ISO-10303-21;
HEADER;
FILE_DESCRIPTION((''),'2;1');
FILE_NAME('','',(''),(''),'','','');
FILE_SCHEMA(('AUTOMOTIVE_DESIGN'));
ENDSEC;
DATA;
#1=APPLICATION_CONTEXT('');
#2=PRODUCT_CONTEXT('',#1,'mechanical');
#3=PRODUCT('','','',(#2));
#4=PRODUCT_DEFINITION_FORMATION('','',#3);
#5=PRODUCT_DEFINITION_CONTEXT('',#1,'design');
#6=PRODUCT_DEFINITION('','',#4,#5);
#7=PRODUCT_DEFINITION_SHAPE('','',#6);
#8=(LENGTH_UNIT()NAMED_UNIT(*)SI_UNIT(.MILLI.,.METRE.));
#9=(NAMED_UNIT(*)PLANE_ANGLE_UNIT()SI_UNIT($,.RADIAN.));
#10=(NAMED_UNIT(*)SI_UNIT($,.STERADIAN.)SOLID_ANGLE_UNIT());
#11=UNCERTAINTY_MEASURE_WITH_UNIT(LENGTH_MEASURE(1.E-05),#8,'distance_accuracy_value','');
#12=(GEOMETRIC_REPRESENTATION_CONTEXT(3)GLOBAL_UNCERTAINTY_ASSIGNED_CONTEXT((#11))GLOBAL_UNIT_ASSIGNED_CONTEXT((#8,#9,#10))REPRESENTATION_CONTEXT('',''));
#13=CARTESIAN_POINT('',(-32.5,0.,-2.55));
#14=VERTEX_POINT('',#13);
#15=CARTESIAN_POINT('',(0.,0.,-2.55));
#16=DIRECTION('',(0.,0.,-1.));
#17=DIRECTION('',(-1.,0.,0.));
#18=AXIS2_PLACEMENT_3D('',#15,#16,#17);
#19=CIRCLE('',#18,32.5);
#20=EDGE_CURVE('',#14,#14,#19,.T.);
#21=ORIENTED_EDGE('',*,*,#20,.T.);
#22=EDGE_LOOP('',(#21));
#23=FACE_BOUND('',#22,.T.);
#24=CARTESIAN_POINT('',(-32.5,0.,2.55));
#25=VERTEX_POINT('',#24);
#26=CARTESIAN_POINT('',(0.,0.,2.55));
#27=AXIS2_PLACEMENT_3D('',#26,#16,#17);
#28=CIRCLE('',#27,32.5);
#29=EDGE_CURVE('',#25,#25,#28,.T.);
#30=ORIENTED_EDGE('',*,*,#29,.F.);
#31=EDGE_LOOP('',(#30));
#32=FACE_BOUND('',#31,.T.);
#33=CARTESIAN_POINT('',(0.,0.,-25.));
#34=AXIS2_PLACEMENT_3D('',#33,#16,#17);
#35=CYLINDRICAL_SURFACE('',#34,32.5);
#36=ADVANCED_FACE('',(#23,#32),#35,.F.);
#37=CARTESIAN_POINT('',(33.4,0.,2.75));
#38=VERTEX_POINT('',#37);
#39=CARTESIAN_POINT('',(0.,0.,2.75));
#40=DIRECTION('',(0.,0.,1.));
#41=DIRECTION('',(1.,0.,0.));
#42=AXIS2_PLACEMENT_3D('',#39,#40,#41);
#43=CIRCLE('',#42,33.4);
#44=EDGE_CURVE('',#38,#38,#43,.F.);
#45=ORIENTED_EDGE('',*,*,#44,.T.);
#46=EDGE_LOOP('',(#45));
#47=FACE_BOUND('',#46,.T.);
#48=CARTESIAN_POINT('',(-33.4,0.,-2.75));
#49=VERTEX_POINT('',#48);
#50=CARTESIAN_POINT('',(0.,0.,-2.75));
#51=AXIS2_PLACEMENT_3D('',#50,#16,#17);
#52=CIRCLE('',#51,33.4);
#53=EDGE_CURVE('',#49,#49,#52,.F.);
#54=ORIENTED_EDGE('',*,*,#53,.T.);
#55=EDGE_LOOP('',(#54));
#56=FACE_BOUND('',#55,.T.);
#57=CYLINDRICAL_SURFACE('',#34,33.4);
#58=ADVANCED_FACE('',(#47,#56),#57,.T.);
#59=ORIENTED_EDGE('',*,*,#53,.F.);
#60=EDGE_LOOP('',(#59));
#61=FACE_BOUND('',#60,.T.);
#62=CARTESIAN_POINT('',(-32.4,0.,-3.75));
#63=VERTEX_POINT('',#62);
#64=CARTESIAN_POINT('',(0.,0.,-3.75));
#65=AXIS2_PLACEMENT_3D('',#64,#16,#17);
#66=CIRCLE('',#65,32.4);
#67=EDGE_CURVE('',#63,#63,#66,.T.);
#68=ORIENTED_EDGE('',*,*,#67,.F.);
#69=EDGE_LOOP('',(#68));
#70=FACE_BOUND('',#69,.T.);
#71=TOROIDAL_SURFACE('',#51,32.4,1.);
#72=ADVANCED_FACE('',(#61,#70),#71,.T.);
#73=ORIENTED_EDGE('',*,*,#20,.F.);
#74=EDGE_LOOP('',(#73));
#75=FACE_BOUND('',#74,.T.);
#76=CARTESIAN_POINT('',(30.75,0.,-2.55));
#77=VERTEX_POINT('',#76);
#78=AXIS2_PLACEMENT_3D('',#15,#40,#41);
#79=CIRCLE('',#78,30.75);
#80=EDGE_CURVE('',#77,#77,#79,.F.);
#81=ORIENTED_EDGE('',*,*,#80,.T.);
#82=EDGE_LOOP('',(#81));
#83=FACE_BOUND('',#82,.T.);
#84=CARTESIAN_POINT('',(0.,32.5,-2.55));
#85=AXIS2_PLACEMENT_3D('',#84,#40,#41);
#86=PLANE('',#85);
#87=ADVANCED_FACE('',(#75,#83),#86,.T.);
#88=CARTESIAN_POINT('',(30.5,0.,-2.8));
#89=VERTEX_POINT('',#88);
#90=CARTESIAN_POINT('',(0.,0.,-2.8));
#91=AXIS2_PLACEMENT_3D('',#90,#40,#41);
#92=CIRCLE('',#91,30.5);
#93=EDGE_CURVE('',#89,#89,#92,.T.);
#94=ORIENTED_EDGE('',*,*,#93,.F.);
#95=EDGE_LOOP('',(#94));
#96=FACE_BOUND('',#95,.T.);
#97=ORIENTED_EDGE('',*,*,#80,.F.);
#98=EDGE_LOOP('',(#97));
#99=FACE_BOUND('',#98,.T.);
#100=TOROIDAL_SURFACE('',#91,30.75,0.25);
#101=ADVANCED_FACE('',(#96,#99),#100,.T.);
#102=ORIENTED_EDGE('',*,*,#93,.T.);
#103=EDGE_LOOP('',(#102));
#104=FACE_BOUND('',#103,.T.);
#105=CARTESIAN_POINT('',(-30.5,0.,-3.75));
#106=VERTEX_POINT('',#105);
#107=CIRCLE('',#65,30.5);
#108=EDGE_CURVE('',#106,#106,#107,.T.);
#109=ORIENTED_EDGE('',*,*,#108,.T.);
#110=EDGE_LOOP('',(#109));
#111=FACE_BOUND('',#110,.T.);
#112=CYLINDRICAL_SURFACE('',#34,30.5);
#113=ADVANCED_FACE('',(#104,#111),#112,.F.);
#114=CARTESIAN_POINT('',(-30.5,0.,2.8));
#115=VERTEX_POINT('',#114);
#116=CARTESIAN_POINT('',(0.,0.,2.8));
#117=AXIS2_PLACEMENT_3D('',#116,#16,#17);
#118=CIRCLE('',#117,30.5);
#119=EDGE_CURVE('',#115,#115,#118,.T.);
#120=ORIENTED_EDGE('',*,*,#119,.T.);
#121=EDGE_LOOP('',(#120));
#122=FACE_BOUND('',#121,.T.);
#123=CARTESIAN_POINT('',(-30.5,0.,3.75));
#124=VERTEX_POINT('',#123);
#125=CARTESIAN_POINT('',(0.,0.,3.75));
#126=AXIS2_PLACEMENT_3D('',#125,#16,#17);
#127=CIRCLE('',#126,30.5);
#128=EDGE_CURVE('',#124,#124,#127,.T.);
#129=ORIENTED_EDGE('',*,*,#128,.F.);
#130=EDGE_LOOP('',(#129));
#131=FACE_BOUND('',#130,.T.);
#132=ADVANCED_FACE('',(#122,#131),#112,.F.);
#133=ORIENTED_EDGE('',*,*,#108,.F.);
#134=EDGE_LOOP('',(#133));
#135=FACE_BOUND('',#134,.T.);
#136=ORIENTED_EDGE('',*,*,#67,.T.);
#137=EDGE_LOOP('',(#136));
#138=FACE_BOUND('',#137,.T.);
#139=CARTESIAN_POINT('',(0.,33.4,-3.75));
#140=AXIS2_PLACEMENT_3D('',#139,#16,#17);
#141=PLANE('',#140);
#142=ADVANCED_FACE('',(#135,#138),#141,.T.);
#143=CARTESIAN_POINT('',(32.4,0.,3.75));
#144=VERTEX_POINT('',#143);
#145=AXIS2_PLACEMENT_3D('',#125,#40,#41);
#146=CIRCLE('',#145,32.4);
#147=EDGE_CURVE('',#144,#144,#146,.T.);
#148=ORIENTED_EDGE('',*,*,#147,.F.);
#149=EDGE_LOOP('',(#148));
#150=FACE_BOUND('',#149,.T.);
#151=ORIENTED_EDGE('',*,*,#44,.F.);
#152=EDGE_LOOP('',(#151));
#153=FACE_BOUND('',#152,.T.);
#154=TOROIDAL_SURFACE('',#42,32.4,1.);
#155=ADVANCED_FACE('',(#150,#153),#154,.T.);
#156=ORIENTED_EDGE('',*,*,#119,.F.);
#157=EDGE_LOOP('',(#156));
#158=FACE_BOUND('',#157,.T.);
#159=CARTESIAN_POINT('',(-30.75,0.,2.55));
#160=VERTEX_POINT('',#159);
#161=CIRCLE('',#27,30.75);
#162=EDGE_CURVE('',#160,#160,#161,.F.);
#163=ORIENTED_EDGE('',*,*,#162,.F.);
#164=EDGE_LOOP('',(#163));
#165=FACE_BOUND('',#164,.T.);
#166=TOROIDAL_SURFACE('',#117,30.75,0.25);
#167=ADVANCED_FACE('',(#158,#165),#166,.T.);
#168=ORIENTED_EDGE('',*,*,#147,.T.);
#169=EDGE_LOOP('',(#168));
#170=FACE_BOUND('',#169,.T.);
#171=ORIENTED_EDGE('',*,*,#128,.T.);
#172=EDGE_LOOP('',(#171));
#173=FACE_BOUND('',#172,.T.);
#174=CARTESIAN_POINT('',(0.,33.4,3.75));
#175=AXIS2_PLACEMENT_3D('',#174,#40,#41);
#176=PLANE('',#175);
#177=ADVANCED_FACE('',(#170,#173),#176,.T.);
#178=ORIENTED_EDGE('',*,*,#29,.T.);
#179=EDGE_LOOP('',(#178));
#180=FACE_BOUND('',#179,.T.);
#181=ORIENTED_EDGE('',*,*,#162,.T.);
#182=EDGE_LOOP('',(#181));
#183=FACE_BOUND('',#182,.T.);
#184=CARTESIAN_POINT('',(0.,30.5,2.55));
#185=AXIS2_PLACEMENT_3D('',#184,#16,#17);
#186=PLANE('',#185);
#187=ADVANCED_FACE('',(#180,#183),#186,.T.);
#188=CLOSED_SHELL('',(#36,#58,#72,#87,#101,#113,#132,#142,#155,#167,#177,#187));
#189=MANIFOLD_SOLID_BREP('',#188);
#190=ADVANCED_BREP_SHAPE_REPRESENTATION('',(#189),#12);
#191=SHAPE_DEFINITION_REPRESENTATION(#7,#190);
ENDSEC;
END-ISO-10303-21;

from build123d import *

# Parameters (mm, degrees)
FILLET2_R = 0.25
FILLET3_R = 1


with BuildPart() as part:
    # Sketch1 → Revolve1 (revolve)
    with BuildSketch(Plane(origin=(0, 0, 0), x_dir=(0, 0, -1), z_dir=(1, 0, 0)), mode=Mode.PRIVATE) as revolve1_sk:
        Polygon((-3.75, 33.4), (3.75, 33.4), (3.75, 30.5), (2.55, 30.5), (2.55, 32.5), (-2.55, 32.5), (-2.55, 30.5), (-3.75, 30.5), align=None)
    revolve(revolve1_sk.sketch.rotate(Axis((0, 0, -25), (0, 0, 1)), 90), axis=Axis((0, 0, -25), (0, 0, 1)))  # turned: the seam where the file's is

    # Fillet2
    fillet2_edges = [part.edges().sort_by_distance(p)[0] for p in [
        (30.5, 0, -2.55),
        (30.5, 0, 2.55),
    ]]
    fillet(fillet2_edges, radius=FILLET2_R)

    # Fillet3
    fillet3_edges = [part.edges().sort_by_distance(p)[0] for p in [
        (33.4, 0, 3.75),
        (33.4, 0, -3.75),
    ]]
    fillet(fillet3_edges, radius=FILLET3_R)


solid = part.part
